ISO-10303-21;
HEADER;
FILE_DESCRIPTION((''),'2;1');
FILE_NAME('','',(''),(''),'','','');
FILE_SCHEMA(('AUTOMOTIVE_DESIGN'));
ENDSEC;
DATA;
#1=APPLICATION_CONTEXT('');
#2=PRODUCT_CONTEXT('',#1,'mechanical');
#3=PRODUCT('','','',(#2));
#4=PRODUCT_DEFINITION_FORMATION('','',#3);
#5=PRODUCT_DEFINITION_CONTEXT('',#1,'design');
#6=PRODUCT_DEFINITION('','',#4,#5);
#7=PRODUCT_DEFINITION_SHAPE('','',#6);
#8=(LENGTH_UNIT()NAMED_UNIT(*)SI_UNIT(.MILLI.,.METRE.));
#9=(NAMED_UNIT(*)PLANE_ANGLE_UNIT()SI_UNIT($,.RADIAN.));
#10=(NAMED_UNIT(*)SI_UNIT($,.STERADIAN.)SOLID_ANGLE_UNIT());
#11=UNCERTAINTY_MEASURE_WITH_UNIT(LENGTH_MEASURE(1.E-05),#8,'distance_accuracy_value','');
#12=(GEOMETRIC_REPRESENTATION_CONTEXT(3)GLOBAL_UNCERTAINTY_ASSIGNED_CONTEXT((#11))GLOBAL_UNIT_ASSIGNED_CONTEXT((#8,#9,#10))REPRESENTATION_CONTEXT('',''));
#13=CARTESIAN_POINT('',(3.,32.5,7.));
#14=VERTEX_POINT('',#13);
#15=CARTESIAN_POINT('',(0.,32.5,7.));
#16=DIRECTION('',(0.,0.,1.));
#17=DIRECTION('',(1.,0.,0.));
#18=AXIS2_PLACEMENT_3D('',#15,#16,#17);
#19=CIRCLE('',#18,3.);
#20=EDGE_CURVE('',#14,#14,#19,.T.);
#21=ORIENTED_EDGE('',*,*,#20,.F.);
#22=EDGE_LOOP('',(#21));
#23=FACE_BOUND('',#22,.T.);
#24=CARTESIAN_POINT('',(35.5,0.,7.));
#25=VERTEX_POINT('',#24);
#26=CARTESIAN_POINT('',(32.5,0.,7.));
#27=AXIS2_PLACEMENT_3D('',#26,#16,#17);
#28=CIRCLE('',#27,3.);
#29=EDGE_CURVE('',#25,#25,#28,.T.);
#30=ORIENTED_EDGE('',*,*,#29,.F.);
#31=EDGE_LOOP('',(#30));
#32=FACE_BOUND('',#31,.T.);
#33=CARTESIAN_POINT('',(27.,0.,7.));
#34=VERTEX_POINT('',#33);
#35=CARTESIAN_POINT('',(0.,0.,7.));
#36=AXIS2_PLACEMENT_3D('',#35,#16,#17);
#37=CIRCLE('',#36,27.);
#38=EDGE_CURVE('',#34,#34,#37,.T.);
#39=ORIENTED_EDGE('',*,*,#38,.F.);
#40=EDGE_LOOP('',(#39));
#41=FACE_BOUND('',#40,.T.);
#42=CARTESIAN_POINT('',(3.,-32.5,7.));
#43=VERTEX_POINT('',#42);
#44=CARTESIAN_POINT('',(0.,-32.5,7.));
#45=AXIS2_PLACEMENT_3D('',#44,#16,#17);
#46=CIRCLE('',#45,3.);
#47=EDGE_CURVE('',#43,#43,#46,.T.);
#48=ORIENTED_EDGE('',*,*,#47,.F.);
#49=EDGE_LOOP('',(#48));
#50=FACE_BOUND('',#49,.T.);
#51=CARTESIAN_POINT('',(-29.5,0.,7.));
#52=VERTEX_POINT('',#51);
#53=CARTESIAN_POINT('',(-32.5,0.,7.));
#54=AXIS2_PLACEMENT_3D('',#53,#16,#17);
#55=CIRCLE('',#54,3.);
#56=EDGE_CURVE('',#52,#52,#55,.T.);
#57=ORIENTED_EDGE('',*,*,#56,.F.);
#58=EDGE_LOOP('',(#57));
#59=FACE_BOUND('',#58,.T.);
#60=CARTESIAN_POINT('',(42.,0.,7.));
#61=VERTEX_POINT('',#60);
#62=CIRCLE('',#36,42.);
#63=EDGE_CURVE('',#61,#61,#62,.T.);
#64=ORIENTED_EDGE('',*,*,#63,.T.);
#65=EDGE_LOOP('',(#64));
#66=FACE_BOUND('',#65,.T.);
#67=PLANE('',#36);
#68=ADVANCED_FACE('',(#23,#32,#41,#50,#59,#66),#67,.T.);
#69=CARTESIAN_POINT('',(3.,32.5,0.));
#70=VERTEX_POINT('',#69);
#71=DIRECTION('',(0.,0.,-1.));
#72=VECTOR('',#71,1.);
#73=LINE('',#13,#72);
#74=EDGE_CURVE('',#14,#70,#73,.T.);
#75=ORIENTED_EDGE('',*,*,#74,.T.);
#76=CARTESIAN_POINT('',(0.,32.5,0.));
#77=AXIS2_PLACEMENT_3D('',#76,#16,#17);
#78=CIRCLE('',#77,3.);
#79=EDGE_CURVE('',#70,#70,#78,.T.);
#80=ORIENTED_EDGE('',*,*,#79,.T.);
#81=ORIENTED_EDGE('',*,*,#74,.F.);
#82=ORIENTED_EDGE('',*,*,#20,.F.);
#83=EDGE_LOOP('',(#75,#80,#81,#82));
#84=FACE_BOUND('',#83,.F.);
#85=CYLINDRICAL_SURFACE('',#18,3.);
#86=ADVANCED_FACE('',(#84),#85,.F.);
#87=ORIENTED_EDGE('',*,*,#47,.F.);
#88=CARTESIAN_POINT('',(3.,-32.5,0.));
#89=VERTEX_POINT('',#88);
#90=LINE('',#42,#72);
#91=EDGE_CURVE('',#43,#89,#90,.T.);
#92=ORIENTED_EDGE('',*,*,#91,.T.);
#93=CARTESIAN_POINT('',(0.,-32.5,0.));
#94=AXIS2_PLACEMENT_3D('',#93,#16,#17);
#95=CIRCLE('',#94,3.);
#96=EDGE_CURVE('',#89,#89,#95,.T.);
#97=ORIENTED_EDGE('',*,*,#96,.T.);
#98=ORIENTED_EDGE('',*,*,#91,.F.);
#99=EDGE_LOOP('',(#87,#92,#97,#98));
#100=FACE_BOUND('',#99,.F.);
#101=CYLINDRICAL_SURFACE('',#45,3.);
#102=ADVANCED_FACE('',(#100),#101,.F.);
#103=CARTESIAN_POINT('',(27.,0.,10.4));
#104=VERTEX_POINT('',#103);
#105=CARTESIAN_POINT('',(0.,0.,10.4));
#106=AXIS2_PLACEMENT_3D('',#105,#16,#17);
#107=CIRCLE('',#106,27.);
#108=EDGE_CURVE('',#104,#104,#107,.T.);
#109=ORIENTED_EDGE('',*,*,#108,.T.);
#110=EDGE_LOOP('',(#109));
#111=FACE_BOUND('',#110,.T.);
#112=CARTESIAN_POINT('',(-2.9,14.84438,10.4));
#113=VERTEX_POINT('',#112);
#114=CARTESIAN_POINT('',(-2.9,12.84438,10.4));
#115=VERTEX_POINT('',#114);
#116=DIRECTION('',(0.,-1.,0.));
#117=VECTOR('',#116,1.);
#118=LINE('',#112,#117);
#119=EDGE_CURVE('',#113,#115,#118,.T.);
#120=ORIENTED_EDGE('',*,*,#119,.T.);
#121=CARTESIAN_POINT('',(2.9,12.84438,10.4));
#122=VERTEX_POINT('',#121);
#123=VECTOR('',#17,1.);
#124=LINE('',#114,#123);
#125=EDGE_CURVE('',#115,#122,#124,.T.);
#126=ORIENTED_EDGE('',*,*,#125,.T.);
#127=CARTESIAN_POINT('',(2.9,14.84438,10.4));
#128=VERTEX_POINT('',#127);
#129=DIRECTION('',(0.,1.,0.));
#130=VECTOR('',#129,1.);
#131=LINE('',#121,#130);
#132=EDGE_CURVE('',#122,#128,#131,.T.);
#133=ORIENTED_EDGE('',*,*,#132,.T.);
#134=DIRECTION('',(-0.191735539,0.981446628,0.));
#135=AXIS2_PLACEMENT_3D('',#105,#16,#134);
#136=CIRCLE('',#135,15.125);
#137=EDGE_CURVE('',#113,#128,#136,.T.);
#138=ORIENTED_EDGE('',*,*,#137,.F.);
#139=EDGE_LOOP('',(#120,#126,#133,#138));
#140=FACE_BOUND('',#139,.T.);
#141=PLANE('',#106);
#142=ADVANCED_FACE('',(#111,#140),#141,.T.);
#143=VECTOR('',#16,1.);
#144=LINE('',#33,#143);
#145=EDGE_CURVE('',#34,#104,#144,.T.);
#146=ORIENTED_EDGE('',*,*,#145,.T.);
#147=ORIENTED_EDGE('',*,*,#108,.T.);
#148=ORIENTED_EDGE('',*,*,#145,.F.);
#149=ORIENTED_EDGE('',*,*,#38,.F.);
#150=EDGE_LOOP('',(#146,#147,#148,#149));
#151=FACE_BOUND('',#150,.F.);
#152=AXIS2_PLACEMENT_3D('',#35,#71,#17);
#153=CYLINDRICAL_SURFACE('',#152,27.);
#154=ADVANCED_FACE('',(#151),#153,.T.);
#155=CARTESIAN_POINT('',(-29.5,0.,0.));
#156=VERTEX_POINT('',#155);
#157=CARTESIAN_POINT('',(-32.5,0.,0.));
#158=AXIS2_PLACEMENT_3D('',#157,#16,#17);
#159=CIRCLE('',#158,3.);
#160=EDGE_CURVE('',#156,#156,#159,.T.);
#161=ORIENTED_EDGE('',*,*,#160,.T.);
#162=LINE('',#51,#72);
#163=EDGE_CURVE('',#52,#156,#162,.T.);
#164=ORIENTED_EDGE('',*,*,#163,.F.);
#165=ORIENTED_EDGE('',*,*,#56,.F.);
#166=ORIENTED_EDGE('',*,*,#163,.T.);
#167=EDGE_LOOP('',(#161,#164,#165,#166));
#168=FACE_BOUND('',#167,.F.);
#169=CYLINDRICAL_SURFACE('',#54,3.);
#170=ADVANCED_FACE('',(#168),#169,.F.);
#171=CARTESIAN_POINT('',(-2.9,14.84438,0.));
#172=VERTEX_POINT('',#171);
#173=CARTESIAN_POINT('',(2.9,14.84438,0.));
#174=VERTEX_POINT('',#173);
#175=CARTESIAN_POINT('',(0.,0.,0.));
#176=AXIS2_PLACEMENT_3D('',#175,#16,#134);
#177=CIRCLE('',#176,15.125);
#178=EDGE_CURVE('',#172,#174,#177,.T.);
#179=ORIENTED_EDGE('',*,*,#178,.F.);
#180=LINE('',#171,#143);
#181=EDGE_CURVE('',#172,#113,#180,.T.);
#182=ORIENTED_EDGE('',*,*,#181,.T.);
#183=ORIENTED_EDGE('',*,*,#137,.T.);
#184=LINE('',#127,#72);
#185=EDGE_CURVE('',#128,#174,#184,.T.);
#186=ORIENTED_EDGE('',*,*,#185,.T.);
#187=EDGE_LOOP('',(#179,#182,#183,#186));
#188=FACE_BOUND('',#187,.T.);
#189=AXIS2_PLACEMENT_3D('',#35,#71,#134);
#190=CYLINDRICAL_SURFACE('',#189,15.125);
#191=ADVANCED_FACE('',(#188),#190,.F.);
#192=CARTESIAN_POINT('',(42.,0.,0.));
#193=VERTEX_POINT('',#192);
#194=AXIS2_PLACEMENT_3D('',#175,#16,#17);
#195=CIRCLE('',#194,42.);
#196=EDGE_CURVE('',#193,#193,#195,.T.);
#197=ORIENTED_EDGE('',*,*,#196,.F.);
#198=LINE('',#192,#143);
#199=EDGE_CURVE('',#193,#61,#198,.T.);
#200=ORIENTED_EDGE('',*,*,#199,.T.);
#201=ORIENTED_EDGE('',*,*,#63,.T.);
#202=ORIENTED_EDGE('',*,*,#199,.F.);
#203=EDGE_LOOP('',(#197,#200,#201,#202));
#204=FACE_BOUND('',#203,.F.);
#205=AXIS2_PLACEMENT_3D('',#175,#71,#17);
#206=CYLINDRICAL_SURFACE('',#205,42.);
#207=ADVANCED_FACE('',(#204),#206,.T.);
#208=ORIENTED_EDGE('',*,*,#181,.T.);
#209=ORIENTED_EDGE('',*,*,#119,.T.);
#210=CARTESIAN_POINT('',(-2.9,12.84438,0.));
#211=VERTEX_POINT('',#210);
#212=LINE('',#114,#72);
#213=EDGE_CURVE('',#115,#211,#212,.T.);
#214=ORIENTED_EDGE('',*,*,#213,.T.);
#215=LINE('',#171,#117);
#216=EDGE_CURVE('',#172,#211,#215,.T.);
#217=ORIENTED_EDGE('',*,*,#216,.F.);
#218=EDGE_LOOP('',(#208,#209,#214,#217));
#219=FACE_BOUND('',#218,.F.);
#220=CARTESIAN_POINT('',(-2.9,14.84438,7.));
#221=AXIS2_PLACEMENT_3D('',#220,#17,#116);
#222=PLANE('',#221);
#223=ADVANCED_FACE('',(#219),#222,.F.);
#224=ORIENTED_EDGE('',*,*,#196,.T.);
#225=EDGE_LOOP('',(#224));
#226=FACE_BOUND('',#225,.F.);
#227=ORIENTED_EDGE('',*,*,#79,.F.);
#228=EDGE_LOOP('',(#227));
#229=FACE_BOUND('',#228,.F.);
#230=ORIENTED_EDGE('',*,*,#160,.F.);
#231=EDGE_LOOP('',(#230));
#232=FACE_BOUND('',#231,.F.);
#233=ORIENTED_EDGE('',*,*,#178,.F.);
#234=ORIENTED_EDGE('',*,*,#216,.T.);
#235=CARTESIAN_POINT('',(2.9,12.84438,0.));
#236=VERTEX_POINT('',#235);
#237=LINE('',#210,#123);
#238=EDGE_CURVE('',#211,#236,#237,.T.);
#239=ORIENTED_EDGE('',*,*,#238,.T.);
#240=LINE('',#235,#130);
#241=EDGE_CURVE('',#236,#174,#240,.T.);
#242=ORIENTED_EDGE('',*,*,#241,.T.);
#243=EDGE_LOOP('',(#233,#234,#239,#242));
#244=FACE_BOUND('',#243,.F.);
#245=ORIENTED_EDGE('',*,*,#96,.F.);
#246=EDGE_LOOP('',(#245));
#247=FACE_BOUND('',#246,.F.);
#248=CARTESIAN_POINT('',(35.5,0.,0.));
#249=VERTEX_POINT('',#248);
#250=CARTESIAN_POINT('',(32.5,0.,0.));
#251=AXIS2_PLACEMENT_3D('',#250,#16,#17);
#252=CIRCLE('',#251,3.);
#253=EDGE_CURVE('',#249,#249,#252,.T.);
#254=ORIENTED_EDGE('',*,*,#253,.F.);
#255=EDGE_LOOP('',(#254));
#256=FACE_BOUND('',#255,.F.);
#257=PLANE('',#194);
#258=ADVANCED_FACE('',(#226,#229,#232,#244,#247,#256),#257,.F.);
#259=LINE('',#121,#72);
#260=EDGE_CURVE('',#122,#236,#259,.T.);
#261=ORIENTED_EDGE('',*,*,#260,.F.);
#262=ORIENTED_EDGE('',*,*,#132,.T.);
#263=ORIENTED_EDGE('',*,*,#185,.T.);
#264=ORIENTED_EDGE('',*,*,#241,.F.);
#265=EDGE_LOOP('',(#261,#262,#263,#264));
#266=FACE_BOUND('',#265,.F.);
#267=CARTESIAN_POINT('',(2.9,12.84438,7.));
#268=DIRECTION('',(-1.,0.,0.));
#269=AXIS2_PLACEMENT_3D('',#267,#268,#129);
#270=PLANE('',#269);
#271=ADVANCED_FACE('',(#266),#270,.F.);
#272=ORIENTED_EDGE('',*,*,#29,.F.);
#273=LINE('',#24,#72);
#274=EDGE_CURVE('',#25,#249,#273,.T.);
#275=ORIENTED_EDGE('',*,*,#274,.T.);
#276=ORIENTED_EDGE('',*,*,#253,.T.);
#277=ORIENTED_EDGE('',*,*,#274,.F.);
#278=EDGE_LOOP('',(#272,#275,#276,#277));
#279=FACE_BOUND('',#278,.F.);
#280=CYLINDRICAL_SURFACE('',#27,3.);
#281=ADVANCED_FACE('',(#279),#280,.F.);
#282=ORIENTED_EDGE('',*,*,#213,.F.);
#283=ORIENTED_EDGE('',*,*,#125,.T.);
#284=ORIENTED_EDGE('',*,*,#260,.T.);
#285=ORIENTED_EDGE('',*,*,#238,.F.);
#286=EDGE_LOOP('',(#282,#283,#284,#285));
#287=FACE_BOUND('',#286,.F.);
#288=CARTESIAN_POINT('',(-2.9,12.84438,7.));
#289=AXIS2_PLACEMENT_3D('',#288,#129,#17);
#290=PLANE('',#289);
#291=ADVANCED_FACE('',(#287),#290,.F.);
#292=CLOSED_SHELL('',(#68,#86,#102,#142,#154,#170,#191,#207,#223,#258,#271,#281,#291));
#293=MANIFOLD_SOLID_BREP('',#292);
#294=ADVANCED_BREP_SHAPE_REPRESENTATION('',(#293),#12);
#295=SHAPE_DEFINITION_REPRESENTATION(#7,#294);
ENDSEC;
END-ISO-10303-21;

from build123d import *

# Parameters (mm, degrees)
SKETCH_R     = 42
PAD_DEPTH    = 7
SKETCH003_R  = 27
PAD001_DEPTH = 3.4
SKETCH004_R  = 3
HOLE_DEPTH   = 25


with BuildPart() as part:
    # Sketch → Pad (new body)
    with BuildSketch(Plane.XY):
        Circle(SKETCH_R)
        with BuildLine():
            Line((-2.9, 14.84438), (-2.9, 12.84438))
            Line((-2.9, 12.84438), (2.9, 12.84438))
            Line((2.9, 12.84438), (2.9, 14.84438))
            ThreePointArc((-2.9, 14.84438), (0, -15.125), (2.9, 14.84438))
        make_face(mode=Mode.SUBTRACT)
    extrude(amount=PAD_DEPTH)

    # Sketch003 (on Face7 of Pad) → Pad001 (join)
    with BuildSketch(Plane.XY.offset(7)):
        Circle(SKETCH003_R)
        with BuildLine():
            ThreePointArc((-2.9, 14.84438), (0, -15.125), (2.9, 14.84438))
            Line((2.9, 12.84438), (2.9, 14.84438))
            Line((-2.9, 12.84438), (2.9, 12.84438))
            Line((-2.9, 14.84438), (-2.9, 12.84438))
        make_face(mode=Mode.SUBTRACT)
    extrude(amount=PAD001_DEPTH)

    # Sketch004 (on Face3 of Pad001) → Hole (cut)
    with BuildSketch(Plane.XY.offset(7)):
        with Locations((0, 32.5)):
            Circle(SKETCH004_R)
        with Locations((0, -32.5)):
            Circle(SKETCH004_R)
        with Locations((32.5, 0)):
            Circle(SKETCH004_R)
        with Locations((-32.5, 0)):
            Circle(SKETCH004_R)
    extrude(amount=-HOLE_DEPTH, mode=Mode.SUBTRACT)


solid = part.part
